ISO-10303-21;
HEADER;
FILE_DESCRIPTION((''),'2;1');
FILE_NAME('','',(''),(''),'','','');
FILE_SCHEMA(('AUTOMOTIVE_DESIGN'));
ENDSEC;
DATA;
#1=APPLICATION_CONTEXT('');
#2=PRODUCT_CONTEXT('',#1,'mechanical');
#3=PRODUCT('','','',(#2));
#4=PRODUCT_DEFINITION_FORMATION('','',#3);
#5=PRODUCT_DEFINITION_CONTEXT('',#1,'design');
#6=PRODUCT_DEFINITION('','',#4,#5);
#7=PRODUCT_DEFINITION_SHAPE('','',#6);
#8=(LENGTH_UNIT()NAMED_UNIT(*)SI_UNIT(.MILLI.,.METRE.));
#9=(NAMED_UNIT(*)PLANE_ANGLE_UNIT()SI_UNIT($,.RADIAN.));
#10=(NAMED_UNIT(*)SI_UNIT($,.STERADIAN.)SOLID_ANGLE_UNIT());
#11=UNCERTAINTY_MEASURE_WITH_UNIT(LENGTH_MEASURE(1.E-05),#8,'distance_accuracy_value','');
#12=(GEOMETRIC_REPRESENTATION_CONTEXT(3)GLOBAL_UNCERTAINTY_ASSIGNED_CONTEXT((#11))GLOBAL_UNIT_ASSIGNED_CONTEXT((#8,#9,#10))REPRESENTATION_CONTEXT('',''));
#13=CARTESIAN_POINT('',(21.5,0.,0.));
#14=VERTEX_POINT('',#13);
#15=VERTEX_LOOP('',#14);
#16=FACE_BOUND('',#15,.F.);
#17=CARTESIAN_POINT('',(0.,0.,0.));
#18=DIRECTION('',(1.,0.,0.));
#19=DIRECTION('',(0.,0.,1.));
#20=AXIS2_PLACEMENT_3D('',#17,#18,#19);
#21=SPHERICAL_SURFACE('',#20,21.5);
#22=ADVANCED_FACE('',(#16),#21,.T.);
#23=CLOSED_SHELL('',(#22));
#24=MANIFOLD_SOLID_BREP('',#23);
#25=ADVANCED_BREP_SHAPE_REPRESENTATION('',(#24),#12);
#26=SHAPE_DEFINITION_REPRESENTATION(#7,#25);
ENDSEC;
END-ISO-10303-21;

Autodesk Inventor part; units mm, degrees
ref_plane "YZ Plane" through (0, 0, 0) normal (1, 0, 0) x (0, 1, 0)
ref_plane "XZ Plane" through (0, 0, 0) normal (0, 1, 0) x (-1, 0, 0)
ref_plane "XY Plane" through (0, 0, 0) normal (0, 0, 1) x (1, 0, 0)
sketch "Эскиз1" plane through (0, 0, 0) normal (0, 1, 0) x (-1, 0, 0)
  arc A0 (21.5, 0) -> (-21.5, 0) centre (0, 0) ccw
  line L0 (-21.5, 0) -> (21.5, 0)
  arc A1 (-21.5, 0) -> (21.5, 0) centre (0, 0) ccw construction
  line L1 (21.5, 0) -> (64.1599, 0)
  dimension "d0" = 43
revolve "Вращение1" add sketch "Эскиз1" angle 360 about axis through (-21.5, 0, 0) along (-1, 0, 0)
properties part number "ball"
